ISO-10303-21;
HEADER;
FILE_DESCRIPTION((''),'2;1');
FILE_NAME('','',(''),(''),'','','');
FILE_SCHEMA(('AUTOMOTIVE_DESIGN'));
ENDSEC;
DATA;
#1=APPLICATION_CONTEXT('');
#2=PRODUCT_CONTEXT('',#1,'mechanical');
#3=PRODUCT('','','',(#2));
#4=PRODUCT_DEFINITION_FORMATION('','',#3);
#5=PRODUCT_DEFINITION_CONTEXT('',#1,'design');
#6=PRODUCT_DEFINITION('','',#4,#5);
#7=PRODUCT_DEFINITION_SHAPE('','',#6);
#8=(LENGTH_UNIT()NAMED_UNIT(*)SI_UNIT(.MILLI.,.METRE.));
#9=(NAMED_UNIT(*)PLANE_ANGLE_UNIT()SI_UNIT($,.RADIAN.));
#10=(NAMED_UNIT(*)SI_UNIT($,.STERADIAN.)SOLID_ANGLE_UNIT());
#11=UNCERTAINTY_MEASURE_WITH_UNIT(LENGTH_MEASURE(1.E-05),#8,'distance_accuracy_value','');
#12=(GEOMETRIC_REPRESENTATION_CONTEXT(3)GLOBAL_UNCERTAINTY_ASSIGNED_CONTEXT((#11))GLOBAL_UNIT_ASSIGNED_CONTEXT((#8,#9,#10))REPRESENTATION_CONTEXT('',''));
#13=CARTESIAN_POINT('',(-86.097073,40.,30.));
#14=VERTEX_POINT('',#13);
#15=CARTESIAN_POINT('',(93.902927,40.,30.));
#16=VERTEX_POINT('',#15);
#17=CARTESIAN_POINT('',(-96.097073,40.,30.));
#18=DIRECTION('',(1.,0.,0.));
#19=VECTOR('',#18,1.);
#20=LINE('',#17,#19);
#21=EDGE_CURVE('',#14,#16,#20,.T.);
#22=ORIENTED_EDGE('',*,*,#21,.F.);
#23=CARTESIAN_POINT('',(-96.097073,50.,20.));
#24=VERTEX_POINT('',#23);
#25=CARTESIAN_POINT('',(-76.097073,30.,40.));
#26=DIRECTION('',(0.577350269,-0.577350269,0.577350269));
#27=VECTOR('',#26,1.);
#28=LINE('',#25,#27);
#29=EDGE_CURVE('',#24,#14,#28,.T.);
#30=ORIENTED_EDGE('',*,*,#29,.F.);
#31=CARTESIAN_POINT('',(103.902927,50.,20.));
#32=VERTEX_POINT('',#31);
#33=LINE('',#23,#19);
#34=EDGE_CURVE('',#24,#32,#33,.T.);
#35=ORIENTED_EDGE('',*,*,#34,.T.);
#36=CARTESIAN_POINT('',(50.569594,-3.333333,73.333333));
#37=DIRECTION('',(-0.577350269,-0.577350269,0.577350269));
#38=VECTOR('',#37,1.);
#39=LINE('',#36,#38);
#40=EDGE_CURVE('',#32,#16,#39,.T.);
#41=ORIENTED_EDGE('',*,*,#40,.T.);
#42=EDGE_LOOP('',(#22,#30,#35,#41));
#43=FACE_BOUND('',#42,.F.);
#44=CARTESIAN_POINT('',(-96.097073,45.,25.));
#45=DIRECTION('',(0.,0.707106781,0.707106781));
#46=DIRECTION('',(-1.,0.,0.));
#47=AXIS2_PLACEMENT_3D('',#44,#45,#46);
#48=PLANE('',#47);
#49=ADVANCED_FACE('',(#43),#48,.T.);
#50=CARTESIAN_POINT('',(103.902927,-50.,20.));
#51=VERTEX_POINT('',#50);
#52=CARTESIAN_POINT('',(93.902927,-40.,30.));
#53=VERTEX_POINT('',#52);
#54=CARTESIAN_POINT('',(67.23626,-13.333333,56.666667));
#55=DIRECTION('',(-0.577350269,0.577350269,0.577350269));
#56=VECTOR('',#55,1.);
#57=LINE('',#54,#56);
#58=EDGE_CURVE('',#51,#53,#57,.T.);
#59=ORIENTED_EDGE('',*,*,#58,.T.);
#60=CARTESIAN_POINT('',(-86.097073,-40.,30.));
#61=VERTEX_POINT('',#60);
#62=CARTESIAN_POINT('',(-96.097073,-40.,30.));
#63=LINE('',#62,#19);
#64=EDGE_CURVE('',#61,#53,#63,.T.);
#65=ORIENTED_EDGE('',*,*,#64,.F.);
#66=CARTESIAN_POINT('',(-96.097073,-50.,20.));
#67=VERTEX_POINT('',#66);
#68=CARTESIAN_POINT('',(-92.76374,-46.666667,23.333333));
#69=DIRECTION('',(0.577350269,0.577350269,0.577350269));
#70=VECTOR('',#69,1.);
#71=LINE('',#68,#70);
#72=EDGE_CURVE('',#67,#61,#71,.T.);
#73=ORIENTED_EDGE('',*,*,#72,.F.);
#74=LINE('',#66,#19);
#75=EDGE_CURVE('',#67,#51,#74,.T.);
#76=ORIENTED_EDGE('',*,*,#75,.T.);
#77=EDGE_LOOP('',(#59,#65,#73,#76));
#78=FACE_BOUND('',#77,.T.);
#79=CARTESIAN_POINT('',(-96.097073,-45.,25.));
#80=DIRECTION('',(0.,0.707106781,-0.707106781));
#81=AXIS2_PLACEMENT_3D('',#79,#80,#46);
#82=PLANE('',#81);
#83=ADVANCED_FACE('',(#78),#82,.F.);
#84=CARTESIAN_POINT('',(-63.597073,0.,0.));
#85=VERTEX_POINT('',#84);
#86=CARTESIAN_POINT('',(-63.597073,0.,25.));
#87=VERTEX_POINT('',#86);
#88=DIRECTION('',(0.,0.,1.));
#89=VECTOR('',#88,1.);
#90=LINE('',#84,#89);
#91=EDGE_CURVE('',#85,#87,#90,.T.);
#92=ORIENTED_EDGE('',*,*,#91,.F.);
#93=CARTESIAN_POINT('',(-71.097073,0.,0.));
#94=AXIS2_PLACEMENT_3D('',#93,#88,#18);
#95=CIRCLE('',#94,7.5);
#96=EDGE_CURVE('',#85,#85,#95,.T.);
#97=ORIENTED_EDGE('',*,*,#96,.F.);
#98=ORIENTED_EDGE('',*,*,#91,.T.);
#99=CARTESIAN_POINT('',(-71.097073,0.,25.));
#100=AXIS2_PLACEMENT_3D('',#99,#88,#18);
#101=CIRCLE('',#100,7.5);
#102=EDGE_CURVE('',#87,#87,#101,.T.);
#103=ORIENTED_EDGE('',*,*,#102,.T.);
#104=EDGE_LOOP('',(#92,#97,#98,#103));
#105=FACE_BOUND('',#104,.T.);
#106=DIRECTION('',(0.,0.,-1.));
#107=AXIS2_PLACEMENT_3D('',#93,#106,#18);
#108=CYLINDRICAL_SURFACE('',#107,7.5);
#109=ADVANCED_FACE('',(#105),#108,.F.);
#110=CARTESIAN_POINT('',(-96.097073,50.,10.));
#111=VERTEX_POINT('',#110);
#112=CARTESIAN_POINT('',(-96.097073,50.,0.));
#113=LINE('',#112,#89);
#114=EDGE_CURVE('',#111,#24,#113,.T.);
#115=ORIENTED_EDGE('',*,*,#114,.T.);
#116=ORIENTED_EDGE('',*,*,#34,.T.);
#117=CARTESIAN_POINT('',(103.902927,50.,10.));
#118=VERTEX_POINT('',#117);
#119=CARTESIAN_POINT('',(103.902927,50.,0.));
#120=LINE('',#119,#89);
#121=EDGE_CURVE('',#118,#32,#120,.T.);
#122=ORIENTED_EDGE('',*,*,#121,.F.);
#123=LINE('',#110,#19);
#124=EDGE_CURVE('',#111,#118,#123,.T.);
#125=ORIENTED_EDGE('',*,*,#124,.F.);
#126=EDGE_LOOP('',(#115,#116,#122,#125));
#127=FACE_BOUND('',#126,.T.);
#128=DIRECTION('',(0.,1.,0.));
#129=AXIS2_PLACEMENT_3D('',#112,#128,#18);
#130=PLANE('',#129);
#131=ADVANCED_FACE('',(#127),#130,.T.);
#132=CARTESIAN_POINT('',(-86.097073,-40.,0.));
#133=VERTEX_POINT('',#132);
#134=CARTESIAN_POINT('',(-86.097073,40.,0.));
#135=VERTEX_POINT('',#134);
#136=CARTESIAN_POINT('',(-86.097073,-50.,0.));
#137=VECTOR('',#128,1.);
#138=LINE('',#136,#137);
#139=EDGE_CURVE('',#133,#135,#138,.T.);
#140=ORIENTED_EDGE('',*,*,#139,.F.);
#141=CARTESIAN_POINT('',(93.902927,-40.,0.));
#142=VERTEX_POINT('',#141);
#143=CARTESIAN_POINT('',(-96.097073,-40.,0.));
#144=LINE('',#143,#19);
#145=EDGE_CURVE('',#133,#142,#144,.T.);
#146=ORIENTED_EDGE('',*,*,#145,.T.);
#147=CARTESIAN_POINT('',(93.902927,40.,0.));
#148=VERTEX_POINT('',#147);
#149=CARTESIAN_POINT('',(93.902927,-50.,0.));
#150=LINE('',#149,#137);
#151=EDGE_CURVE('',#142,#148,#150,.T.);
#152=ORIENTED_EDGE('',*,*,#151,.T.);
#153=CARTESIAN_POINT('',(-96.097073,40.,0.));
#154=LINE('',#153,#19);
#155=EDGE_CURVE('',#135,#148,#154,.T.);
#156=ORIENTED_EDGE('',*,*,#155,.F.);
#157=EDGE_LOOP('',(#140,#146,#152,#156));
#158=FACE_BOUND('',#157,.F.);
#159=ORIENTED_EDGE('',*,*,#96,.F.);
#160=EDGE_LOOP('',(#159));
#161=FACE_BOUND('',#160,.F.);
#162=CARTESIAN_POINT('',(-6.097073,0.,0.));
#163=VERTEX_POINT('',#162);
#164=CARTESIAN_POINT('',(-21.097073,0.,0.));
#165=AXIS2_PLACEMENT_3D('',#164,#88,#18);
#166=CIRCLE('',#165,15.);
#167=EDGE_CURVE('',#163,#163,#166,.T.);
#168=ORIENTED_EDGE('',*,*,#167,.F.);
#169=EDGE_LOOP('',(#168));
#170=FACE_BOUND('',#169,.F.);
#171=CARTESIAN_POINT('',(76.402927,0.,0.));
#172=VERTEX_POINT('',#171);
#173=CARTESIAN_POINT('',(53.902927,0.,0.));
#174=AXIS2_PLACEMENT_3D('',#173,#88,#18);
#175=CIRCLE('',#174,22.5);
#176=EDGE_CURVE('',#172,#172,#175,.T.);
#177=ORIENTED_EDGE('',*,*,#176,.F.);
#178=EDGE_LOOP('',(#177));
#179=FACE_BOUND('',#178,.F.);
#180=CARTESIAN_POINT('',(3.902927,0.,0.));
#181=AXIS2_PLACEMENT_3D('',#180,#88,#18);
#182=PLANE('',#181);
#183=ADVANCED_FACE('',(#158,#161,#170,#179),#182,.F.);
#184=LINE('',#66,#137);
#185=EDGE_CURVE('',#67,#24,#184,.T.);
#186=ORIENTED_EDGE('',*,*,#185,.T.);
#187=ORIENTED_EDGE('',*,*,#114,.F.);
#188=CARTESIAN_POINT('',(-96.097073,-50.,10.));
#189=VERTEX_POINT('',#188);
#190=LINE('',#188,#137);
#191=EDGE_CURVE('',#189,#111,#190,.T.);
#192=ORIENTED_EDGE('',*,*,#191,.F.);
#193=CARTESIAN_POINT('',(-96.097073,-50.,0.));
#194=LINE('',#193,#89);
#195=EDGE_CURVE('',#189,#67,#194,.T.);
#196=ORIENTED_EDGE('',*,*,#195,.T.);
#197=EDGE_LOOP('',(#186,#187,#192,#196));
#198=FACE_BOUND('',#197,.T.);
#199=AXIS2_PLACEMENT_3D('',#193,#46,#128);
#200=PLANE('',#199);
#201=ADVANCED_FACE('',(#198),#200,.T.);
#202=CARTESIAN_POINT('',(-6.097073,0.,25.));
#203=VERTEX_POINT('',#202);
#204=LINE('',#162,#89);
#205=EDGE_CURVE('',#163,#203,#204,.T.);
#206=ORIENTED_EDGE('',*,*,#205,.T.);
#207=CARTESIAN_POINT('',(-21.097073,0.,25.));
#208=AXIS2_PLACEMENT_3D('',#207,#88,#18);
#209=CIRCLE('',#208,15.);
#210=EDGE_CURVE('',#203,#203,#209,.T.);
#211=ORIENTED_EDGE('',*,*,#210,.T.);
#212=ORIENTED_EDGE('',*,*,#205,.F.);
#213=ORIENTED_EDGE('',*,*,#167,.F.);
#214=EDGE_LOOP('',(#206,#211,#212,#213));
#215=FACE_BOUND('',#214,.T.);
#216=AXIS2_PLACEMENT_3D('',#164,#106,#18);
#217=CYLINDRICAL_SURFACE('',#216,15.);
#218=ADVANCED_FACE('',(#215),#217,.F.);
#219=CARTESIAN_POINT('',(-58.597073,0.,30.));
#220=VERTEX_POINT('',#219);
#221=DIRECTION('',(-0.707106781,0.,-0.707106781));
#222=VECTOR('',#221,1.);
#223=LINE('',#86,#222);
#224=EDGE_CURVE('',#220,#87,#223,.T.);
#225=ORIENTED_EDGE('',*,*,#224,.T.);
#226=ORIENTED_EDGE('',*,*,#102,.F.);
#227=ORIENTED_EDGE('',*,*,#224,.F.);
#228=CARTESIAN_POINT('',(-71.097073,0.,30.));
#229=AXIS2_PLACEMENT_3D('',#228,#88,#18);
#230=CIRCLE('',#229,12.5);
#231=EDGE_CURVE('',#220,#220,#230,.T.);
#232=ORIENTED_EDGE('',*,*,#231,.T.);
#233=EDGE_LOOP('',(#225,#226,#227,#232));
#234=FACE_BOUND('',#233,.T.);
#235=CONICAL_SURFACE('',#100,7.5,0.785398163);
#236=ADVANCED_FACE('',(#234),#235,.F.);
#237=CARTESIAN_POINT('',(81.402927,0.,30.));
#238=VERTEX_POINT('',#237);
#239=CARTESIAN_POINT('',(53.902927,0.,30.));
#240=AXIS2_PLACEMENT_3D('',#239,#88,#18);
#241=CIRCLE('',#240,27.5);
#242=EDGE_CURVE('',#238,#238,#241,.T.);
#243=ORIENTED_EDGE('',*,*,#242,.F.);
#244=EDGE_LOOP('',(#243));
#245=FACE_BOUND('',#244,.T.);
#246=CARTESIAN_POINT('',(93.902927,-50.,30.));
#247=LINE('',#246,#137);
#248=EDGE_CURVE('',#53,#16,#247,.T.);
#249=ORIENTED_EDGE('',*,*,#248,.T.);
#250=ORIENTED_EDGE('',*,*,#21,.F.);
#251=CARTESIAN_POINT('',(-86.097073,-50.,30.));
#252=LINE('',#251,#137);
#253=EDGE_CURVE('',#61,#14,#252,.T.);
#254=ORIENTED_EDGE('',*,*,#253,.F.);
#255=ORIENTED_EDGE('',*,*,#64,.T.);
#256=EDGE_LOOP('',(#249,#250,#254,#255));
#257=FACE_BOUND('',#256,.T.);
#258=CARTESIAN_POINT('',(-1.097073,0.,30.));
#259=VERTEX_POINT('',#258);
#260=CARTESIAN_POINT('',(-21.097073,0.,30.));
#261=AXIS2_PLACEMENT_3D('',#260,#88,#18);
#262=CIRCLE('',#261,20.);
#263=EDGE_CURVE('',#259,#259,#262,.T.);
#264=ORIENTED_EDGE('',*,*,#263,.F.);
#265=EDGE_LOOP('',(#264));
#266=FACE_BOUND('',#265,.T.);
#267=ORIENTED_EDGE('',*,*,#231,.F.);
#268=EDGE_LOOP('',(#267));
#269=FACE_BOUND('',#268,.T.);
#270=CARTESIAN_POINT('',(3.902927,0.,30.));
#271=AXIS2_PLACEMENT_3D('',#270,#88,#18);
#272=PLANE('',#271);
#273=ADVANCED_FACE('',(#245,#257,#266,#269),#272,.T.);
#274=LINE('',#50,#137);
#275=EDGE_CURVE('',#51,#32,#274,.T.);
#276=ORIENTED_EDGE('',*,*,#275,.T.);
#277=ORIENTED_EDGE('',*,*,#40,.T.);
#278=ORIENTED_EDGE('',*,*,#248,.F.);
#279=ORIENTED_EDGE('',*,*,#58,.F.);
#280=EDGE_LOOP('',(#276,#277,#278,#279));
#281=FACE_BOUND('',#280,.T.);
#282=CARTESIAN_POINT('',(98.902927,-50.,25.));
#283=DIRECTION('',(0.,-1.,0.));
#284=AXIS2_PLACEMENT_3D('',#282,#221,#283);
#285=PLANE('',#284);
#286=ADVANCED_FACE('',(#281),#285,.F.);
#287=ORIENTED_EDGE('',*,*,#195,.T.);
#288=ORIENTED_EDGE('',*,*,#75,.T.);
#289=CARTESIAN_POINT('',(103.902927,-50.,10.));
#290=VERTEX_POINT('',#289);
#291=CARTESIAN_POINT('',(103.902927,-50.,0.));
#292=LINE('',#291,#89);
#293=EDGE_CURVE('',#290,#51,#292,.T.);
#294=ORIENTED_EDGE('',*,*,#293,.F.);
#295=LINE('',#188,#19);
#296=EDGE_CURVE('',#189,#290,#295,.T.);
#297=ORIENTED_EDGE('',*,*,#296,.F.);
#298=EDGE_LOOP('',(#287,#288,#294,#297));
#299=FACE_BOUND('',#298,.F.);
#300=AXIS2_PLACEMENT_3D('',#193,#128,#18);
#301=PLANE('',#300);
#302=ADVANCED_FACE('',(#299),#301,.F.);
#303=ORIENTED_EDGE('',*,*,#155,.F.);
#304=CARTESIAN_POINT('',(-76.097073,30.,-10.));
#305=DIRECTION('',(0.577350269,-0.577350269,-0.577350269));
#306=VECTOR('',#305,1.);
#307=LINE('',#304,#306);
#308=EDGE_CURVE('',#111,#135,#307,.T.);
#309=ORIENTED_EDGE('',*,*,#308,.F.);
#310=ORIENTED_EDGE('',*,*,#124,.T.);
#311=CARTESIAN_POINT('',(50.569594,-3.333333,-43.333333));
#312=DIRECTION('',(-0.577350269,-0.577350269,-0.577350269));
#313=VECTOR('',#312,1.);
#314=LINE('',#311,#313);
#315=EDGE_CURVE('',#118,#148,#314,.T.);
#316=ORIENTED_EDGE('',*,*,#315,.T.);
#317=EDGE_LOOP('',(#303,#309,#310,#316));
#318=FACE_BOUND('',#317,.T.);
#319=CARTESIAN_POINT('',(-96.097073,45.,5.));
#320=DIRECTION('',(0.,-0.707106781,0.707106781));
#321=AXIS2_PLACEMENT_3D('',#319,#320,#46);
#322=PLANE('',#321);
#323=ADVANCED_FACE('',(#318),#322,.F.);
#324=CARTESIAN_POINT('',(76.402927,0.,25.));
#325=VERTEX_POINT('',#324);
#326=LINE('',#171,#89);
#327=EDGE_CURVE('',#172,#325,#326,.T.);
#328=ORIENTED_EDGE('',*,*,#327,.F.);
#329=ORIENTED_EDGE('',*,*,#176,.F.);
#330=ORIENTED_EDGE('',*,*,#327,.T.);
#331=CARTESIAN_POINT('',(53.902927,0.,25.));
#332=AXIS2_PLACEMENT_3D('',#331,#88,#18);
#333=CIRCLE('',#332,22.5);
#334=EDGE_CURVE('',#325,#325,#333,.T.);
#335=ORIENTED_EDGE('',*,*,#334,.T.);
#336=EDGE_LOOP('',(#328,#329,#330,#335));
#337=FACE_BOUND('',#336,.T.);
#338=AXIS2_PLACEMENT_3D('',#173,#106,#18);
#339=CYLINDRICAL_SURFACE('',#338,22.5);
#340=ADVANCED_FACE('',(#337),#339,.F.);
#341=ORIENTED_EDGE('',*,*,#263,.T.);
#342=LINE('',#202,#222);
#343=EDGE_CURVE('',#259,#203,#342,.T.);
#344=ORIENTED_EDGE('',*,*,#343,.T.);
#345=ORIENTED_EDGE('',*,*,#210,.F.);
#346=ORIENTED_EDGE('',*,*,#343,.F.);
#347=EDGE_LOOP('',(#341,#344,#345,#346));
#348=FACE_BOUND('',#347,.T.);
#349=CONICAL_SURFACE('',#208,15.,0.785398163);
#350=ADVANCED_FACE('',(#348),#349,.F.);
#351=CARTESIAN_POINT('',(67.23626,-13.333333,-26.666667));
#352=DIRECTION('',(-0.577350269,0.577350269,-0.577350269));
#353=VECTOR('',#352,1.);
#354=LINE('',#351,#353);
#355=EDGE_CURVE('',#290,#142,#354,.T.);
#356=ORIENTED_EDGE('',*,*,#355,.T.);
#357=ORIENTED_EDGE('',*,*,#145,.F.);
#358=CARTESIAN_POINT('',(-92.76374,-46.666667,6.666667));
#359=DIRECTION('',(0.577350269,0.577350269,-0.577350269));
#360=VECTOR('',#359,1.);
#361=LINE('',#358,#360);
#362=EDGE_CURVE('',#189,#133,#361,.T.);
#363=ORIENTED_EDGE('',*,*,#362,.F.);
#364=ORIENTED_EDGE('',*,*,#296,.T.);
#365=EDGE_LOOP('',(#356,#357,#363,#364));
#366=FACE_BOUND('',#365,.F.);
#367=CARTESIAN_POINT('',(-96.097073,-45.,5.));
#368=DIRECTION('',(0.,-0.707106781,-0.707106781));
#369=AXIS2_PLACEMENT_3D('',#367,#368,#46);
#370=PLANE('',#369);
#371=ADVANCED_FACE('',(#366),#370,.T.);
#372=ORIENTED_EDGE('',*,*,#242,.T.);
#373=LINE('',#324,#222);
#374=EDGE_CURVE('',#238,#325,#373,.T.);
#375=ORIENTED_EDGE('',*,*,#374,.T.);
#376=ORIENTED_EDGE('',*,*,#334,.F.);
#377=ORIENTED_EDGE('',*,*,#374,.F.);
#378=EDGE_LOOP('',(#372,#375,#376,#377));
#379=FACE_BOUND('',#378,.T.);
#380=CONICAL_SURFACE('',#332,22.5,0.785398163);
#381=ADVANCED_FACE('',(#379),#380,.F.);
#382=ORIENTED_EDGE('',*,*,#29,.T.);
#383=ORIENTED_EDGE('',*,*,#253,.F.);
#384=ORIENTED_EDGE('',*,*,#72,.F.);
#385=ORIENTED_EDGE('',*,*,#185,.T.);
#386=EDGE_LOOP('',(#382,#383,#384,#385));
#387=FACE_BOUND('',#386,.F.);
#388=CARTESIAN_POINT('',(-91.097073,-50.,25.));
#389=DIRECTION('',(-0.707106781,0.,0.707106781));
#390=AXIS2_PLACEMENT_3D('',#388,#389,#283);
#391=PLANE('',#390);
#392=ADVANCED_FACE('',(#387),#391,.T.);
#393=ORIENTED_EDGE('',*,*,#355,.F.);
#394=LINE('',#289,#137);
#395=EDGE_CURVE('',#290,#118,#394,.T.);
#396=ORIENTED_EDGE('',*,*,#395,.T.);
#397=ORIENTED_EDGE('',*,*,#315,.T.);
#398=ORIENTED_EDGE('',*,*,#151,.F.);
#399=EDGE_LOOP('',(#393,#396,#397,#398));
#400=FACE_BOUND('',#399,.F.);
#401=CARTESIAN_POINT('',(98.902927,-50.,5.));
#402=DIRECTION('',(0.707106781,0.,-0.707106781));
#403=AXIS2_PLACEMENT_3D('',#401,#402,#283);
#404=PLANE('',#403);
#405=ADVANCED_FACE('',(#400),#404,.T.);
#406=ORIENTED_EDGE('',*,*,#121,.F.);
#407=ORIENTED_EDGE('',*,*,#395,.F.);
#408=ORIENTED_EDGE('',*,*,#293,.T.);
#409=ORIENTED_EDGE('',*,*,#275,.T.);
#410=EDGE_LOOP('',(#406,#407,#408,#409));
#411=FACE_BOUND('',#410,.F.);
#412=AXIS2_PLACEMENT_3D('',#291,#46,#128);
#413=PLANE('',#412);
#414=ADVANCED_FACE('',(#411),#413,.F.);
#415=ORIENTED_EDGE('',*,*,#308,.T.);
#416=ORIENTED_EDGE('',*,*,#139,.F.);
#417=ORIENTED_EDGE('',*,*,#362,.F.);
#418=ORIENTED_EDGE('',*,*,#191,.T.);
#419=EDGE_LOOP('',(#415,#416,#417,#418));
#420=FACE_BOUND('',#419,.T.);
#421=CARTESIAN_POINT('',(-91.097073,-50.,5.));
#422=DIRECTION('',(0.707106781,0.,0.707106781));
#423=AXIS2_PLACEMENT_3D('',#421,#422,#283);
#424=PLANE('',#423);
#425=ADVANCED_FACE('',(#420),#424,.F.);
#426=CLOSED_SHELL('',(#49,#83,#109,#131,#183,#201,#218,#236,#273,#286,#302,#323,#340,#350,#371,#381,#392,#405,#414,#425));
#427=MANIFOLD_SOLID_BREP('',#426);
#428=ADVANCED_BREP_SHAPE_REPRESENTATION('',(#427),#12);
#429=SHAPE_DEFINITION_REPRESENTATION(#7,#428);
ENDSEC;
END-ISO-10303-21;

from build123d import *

# Parameters (mm, degrees)
F0_W     = 200
F0_H     = 100
F0_R     = 7.5
F0_R_2   = 15
F0_R_3   = 22.5
F1_DEPTH = 30
F2_SIZE2 = 10
F2_SIZE  = 10
F3_SIZE2 = 5
F3_SIZE  = 5


with BuildPart() as f1:
    # F0 (on Top) → F1 (new body)
    with BuildSketch(Plane.XY):
        with Locations((3.902927, 0)):
            Rectangle(F0_W, F0_H)
        with Locations((-71.097073, 0)):
            Circle(F0_R, mode=Mode.SUBTRACT)
        with Locations((-21.097073, 0)):
            Circle(F0_R_2, mode=Mode.SUBTRACT)
        with Locations((53.902927, 0)):
            Circle(F0_R_3, mode=Mode.SUBTRACT)
    extrude(amount=F1_DEPTH)

    # F2
    f2_edges = [f1.edges().sort_by_distance(p)[0] for p in [
        (3.902927, 50, 30),
        (-96.097073, 0, 30),
        (3.902927, -50, 30),
        (103.902927, 0, 30),
        (3.902927, -50, 0),
        (3.902927, 50, 0),
        (103.902927, 0, 0),
        (-96.097073, 0, 0),
    ]]
    chamfer(f2_edges, length=F2_SIZE, length2=F2_SIZE2)

    # F3
    f3_edges = [f1.edges().sort_by_distance(p)[0] for p in [
        (-78.597073, 0, 30),
        (-36.097073, 0, 30),
        (31.402927, 0, 30),
    ]]
    chamfer(f3_edges, length=F3_SIZE, length2=F3_SIZE2)


solid = f1.part
